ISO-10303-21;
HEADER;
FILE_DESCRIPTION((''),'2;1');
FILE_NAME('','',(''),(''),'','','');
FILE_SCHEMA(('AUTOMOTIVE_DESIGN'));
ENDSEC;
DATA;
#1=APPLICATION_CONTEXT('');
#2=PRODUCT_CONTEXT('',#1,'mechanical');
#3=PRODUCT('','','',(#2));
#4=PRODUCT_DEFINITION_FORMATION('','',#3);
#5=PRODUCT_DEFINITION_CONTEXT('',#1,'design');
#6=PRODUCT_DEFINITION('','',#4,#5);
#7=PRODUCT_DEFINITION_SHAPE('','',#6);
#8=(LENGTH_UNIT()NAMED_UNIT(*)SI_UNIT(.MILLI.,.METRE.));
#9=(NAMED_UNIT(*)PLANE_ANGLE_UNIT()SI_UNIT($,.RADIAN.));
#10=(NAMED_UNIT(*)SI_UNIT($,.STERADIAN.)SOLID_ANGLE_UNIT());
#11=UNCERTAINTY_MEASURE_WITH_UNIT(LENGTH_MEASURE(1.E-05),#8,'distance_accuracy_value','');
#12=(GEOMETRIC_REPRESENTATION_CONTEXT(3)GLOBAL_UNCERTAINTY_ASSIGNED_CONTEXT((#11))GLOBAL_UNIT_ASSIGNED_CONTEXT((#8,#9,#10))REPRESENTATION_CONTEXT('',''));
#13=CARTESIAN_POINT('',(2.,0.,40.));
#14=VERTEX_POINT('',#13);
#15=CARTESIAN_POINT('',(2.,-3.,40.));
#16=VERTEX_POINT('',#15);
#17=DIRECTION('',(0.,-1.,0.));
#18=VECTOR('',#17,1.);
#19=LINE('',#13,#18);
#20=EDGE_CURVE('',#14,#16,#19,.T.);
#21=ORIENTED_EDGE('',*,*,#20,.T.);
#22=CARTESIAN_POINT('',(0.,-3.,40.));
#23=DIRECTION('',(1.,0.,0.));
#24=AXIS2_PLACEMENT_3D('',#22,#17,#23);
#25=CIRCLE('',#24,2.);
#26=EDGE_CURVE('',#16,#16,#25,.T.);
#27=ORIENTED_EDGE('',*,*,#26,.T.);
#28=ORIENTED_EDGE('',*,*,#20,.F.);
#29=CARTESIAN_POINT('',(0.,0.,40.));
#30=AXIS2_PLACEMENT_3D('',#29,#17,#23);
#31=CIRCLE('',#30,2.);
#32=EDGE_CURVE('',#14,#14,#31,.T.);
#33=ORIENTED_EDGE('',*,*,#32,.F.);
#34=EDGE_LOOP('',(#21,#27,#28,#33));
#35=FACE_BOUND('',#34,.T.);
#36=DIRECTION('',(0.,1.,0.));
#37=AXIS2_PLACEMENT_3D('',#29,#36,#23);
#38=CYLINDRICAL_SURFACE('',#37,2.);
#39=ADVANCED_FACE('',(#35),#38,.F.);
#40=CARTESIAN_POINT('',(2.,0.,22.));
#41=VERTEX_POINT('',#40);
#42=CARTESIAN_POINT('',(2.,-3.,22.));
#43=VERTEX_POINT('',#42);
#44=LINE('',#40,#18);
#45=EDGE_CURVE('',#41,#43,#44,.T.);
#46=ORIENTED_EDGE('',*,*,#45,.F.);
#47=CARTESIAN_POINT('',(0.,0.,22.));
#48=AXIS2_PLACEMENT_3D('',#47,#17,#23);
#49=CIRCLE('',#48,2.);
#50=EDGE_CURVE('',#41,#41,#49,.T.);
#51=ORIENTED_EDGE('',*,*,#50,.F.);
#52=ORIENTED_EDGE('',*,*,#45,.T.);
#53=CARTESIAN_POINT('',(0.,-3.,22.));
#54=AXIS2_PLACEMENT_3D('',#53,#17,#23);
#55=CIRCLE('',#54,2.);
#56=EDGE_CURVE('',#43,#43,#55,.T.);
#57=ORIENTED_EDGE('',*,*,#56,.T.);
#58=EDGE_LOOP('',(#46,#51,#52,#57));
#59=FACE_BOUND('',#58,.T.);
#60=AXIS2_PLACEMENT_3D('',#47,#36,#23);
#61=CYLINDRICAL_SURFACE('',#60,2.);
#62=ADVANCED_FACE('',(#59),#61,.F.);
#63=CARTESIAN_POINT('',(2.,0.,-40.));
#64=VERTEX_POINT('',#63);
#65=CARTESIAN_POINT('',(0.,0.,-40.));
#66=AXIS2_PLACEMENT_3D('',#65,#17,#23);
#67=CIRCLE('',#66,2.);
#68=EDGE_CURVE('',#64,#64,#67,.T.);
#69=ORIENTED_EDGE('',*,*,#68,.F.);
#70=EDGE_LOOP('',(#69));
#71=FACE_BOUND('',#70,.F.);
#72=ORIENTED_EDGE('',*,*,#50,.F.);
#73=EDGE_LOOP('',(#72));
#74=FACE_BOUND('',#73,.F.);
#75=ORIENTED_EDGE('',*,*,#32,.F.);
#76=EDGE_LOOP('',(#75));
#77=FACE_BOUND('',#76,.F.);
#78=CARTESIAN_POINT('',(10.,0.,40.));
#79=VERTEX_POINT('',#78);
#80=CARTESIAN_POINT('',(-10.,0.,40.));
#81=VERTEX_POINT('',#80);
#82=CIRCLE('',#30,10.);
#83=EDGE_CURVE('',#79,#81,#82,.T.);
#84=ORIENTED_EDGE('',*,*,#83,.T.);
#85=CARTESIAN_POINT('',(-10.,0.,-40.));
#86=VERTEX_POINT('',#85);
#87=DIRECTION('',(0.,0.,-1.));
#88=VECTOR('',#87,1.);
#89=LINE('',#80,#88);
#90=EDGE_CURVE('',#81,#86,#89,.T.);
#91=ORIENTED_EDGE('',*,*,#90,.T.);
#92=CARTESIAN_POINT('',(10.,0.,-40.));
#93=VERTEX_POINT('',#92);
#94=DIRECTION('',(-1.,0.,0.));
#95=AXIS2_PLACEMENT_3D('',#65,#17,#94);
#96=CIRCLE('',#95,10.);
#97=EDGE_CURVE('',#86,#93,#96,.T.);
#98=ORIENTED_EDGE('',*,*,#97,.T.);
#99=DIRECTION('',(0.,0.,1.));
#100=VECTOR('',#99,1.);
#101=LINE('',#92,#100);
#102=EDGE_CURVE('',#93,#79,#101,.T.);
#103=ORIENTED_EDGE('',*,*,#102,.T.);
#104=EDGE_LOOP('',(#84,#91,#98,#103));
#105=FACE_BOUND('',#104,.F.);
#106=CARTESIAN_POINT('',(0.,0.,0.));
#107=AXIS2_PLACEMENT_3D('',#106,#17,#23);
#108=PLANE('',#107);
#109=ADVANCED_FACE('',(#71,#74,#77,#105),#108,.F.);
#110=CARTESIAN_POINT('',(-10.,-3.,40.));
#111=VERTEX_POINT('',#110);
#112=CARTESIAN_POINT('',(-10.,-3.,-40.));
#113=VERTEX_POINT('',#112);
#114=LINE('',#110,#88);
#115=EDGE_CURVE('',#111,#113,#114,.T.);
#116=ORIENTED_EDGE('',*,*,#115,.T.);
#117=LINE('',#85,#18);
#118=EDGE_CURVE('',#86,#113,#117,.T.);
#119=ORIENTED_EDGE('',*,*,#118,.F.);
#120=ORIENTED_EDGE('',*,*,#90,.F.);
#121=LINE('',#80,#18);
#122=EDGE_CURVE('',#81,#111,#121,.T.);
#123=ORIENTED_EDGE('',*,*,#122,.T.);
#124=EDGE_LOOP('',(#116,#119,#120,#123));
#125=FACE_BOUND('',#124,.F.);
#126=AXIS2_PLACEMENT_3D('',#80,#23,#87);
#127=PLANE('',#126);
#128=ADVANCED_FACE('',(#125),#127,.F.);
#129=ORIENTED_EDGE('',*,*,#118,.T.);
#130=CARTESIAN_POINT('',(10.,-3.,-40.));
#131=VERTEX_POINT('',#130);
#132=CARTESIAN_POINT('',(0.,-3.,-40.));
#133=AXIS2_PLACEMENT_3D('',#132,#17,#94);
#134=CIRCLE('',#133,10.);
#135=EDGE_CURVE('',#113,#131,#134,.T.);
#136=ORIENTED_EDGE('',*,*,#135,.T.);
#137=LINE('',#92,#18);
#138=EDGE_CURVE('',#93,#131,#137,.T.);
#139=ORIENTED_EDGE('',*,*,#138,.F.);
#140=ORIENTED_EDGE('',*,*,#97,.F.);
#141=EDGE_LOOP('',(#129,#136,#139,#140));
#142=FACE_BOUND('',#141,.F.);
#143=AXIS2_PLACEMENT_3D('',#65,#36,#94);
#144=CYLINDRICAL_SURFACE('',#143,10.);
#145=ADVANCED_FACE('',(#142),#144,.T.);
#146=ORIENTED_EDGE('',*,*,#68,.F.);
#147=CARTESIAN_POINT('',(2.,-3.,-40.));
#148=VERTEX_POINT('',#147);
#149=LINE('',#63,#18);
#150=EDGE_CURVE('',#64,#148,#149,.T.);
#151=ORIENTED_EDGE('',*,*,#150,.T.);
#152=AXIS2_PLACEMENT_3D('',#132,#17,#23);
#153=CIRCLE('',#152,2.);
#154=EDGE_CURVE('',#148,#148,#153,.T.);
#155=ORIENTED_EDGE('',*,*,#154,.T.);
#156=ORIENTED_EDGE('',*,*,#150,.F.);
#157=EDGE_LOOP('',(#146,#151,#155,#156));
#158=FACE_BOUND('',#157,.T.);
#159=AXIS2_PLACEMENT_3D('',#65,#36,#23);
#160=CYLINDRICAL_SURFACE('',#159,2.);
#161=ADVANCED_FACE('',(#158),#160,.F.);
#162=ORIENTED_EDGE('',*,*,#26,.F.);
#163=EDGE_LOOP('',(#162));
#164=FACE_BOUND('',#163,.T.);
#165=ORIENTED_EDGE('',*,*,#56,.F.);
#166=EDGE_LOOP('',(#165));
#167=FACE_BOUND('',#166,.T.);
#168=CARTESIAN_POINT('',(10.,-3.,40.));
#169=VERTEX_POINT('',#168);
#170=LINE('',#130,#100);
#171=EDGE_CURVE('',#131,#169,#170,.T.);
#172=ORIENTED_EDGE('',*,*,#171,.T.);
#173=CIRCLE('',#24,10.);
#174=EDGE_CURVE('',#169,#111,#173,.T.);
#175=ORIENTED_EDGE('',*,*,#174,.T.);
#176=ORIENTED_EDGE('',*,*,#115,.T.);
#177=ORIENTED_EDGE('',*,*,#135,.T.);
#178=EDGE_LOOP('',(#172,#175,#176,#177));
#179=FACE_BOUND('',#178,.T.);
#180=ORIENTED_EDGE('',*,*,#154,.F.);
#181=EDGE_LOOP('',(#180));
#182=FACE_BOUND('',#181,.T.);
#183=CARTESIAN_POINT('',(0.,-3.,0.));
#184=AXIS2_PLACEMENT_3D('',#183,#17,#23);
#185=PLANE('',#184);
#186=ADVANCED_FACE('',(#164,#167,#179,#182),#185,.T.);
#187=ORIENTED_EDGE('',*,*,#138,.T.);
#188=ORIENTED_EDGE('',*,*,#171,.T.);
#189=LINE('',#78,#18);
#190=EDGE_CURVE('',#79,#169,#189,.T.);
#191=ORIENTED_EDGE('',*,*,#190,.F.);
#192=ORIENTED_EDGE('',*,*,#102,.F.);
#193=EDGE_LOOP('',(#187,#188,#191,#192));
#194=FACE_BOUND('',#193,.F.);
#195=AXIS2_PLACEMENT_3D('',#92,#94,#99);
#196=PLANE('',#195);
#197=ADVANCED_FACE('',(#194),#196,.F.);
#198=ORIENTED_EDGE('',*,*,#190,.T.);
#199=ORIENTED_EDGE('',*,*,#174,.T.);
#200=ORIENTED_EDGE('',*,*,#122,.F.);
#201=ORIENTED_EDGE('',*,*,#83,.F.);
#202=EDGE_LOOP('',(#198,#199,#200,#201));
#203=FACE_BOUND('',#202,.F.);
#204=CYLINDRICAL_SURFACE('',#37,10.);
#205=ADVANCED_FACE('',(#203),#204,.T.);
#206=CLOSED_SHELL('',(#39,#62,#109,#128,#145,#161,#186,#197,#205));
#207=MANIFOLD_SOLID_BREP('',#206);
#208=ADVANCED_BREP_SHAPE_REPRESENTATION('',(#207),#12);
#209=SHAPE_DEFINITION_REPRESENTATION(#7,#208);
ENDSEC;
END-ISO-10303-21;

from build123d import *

# Parameters (mm, degrees)
F0_R     = 2
F1_DEPTH = 3


with BuildPart() as f1:
    # F0 (on Front) → F1 (new body)
    with BuildSketch(Plane.XZ):
        with BuildLine():
            ThreePointArc((-10, -40), (0, -50), (10, -40))
            Line((10, -40), (10, 40))
            ThreePointArc((10, 40), (0, 50), (-10, 40))
            Line((-10, 40), (-10, -40))
        make_face()
        with Locations((0, -40)):
            Circle(F0_R, mode=Mode.SUBTRACT)
        with Locations((0, 22)):
            Circle(F0_R, mode=Mode.SUBTRACT)
        with Locations((0, 40)):
            Circle(F0_R, mode=Mode.SUBTRACT)
    extrude(amount=F1_DEPTH)


solid = f1.part
